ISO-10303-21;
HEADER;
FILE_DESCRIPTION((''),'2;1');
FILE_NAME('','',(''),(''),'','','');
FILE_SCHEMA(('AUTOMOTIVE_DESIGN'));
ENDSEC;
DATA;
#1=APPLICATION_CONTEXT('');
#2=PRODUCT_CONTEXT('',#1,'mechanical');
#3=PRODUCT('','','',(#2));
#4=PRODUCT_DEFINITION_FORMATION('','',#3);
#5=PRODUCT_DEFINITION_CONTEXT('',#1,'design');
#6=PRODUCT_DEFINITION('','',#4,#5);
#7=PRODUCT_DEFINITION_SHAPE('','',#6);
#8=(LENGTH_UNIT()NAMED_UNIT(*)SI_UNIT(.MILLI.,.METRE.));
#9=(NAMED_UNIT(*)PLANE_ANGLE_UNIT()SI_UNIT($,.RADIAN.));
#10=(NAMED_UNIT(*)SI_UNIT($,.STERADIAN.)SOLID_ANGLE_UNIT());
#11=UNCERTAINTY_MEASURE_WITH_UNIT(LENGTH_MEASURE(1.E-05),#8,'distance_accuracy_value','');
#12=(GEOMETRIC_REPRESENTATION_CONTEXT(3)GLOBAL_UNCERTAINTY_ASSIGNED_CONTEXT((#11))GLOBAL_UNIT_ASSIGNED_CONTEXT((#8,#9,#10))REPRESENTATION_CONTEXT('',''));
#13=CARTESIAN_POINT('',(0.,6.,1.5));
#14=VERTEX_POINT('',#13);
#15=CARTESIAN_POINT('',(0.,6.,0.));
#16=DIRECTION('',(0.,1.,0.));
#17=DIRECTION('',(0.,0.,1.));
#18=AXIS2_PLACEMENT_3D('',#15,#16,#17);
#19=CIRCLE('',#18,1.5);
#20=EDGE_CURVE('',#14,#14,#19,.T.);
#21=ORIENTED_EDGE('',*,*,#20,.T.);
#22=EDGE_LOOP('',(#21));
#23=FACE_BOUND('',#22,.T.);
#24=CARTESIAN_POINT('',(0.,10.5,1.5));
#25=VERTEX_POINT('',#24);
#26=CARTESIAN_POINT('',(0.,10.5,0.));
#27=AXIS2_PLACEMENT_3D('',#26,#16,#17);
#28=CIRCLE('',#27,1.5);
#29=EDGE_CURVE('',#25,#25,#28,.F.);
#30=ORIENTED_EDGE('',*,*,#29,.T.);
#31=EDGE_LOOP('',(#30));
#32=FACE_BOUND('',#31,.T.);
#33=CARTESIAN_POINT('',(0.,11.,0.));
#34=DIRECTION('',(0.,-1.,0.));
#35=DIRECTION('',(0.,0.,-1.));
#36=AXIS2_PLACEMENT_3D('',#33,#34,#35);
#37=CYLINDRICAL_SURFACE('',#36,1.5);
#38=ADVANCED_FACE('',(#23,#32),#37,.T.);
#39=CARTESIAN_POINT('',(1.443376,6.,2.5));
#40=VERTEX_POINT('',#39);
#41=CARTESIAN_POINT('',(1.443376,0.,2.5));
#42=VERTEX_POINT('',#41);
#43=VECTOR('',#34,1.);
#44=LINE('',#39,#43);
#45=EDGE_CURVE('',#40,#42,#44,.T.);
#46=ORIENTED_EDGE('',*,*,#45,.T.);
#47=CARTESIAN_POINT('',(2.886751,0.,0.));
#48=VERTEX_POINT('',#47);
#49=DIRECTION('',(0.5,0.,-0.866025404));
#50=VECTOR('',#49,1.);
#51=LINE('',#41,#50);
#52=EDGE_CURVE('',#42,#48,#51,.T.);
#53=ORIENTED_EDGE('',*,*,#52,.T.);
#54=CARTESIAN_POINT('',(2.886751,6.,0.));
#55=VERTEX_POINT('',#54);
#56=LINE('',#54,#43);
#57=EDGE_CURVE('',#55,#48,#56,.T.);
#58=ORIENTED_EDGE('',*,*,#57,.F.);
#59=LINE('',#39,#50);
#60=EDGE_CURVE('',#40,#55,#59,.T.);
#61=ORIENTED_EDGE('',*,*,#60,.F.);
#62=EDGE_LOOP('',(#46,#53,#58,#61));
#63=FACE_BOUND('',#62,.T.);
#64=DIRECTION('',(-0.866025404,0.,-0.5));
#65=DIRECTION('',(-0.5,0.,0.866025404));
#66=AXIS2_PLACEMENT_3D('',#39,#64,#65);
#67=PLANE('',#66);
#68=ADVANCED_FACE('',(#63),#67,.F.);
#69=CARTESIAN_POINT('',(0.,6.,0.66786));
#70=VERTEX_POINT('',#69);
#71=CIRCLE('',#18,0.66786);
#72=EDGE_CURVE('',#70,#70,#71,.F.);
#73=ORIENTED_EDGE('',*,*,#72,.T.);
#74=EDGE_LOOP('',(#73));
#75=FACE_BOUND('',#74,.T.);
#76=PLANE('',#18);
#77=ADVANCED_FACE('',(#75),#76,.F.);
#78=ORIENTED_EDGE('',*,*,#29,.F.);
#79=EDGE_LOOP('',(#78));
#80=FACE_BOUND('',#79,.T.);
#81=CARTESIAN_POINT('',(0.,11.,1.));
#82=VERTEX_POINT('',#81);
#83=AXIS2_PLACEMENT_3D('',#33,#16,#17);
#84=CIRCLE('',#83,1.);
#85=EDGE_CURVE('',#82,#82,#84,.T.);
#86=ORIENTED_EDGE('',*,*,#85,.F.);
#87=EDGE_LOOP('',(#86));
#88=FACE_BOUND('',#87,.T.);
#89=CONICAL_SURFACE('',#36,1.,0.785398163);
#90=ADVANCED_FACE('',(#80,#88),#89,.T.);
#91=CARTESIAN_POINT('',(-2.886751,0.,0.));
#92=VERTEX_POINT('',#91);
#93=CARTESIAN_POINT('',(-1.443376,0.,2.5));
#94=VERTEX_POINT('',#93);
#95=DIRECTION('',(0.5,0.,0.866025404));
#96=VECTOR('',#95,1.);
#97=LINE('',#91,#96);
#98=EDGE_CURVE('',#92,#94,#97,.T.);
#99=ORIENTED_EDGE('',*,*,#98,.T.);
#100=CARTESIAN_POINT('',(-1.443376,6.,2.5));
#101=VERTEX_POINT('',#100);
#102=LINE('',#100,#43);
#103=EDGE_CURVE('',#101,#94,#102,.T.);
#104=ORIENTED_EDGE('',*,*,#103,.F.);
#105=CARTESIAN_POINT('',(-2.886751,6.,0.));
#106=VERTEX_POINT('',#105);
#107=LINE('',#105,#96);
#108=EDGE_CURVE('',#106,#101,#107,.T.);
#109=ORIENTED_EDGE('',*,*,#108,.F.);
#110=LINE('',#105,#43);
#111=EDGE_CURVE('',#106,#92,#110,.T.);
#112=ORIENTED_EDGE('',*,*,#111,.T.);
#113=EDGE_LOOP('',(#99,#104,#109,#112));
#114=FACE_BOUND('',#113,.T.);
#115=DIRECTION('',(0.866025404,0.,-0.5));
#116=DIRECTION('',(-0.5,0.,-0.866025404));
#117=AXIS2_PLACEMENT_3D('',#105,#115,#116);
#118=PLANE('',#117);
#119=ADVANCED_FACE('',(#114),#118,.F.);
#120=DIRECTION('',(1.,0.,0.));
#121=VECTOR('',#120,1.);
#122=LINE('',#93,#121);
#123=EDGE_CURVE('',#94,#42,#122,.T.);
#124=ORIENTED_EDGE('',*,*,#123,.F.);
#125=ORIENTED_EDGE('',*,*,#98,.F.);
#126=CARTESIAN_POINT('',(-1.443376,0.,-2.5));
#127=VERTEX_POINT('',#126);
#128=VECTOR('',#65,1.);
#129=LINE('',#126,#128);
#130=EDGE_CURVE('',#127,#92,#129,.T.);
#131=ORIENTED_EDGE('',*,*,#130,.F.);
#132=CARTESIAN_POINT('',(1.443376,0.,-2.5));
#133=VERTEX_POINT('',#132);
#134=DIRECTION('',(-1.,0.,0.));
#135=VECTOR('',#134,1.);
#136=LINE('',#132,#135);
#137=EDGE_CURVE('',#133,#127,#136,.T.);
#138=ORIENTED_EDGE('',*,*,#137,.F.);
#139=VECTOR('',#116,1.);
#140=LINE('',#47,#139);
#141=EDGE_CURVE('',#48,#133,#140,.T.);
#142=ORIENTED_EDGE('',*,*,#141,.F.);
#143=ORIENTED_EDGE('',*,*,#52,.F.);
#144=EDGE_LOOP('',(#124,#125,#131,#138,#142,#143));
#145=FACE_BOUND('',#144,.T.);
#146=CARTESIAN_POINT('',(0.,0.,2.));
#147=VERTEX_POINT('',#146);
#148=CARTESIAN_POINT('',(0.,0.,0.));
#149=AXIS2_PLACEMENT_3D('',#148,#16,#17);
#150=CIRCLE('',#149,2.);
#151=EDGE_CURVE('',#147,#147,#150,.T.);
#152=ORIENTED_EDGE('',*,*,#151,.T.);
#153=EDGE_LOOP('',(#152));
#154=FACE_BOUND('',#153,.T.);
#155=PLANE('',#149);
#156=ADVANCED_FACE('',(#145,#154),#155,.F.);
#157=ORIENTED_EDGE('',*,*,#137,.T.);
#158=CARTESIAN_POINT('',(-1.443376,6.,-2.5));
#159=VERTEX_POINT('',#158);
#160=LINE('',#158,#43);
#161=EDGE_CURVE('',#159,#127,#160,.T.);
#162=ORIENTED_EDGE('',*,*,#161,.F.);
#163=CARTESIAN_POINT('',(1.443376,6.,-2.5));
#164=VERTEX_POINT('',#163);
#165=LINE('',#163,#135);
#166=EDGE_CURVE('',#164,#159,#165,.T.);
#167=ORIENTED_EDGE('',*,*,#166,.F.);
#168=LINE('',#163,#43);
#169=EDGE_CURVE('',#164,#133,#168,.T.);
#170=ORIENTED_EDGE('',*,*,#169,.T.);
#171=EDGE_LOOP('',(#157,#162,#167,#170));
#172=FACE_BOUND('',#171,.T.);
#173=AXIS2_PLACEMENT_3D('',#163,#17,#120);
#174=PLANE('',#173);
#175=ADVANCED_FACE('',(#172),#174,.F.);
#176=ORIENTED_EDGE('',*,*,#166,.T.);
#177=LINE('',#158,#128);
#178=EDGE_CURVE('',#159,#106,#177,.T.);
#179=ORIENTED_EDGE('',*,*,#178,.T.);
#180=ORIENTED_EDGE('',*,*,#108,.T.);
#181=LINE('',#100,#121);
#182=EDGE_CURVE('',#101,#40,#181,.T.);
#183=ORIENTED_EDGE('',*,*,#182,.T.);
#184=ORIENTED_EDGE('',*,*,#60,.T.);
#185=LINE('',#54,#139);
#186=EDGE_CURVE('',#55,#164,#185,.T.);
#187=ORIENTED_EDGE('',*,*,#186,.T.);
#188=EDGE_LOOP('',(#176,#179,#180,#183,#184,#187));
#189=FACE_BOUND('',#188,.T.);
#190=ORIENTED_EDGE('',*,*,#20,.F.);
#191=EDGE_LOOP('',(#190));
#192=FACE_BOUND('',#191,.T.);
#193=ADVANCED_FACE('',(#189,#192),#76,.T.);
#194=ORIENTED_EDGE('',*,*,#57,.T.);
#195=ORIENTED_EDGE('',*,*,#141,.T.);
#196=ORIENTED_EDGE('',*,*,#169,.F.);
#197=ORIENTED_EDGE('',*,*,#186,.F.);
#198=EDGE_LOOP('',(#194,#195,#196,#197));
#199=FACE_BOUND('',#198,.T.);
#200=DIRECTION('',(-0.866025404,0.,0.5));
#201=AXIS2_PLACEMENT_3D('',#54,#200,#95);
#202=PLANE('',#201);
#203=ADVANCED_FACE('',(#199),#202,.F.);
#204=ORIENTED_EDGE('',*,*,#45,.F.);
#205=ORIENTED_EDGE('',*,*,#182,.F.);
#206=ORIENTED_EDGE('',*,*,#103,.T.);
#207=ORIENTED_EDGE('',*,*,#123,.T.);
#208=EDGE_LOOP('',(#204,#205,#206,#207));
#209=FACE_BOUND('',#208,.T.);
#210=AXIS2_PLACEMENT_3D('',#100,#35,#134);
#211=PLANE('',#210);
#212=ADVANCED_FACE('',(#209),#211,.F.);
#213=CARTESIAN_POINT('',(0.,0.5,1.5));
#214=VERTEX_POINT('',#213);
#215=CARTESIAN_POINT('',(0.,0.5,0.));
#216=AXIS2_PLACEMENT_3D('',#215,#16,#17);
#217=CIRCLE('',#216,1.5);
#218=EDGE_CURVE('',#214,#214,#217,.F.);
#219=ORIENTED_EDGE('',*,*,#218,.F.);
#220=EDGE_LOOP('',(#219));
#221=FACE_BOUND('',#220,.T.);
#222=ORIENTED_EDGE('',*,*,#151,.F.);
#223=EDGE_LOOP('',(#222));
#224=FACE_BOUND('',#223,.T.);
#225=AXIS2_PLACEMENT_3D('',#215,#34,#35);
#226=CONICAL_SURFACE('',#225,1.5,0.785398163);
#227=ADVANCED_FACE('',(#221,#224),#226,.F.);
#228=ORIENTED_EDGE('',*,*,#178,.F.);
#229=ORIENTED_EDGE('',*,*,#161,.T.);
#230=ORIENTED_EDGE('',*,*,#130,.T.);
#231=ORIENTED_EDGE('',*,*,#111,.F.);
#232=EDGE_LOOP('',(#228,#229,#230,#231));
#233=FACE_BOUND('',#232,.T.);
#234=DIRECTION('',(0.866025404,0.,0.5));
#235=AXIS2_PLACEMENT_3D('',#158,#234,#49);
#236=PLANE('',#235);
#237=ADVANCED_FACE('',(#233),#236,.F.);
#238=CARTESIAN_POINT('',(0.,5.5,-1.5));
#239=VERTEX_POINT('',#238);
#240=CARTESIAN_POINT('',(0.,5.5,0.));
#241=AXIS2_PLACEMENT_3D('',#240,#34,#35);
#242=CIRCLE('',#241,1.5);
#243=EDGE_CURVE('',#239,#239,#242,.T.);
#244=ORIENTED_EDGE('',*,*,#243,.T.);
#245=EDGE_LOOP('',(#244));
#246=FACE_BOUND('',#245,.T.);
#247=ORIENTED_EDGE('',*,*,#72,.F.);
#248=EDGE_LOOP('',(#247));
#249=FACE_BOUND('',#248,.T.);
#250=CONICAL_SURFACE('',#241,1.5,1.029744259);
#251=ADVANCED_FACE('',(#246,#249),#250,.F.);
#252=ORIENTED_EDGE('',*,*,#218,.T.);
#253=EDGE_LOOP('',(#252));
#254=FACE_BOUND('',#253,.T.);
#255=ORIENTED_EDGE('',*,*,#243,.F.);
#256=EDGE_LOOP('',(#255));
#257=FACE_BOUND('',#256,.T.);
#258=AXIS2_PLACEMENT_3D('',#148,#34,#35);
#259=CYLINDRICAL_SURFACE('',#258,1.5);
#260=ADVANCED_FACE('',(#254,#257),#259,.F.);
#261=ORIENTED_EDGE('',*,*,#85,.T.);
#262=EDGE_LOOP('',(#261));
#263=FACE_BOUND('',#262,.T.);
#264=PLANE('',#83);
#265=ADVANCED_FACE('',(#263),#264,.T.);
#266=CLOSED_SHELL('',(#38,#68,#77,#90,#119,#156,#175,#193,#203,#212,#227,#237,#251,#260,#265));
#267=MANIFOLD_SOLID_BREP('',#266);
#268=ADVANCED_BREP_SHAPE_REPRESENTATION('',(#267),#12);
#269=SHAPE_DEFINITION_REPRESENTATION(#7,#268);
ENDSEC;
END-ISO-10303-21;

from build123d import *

# Parameters (mm, degrees)
EXTRUDE_1_DEPTH           = 6
HOLE_WIZARD_3_0_3_1_D     = 3
HOLE_WIZARD_3_0_3_1_DEPTH = 5.5
HOLE_WIZARD_3_0_3_1_TIP   = 0.901290929
EXTRUDE_START             = 5
SKETCH_4_R                = 1.5
EXTRUDE_2_DEPTH           = 5
CHAMFER_1_SIZE            = 0.5


with BuildPart() as part:
    # Эскиз1 → Бобышка-Вытянуть1 (new body)
    with BuildSketch(Plane(origin=(0, 0, 0), x_dir=(1, 0, 0), z_dir=(0, 1, 0))):
        Polygon((1.443375673, -2.5), (2.886751346, 0), (1.443375673, 2.5), (-1.443375673, 2.5), (-2.886751346, 0), (-1.443375673, -2.5), align=None)
    extrude(amount=EXTRUDE_1_DEPTH)

    # Диаметр отверстия Ø3.0 (3)1
    with Locations(Plane(origin=(0, 0, 0), x_dir=(-1, 0, 0), z_dir=(0, -1, 0))):
        with Locations((0, 0)):
            Hole(HOLE_WIZARD_3_0_3_1_D / 2, depth=HOLE_WIZARD_3_0_3_1_DEPTH)
            with Locations((0, 0, -(HOLE_WIZARD_3_0_3_1_DEPTH + HOLE_WIZARD_3_0_3_1_TIP / 2))):  # 118° drill point
                Cone(0, HOLE_WIZARD_3_0_3_1_D / 2, HOLE_WIZARD_3_0_3_1_TIP, mode=Mode.SUBTRACT)

    # Эскиз4 → Бобышка-Вытянуть2 (add)
    with BuildSketch(Plane(origin=(0, 6, 0), x_dir=(1, 0, 0), z_dir=(0, 1, 0)).offset(EXTRUDE_START)):
        with Locations(Location((0, 0, 0), (0, 0, 90))):
            Circle(SKETCH_4_R)
    extrude(amount=-EXTRUDE_2_DEPTH)

    # Фаска1
    chamfer_1_edges = [part.edges().sort_by_distance(p)[0] for p in [
        (-1.5, 0, 0),
        (0, 11, 1.5),
    ]]
    chamfer(chamfer_1_edges, length=CHAMFER_1_SIZE)


solid = part.part
